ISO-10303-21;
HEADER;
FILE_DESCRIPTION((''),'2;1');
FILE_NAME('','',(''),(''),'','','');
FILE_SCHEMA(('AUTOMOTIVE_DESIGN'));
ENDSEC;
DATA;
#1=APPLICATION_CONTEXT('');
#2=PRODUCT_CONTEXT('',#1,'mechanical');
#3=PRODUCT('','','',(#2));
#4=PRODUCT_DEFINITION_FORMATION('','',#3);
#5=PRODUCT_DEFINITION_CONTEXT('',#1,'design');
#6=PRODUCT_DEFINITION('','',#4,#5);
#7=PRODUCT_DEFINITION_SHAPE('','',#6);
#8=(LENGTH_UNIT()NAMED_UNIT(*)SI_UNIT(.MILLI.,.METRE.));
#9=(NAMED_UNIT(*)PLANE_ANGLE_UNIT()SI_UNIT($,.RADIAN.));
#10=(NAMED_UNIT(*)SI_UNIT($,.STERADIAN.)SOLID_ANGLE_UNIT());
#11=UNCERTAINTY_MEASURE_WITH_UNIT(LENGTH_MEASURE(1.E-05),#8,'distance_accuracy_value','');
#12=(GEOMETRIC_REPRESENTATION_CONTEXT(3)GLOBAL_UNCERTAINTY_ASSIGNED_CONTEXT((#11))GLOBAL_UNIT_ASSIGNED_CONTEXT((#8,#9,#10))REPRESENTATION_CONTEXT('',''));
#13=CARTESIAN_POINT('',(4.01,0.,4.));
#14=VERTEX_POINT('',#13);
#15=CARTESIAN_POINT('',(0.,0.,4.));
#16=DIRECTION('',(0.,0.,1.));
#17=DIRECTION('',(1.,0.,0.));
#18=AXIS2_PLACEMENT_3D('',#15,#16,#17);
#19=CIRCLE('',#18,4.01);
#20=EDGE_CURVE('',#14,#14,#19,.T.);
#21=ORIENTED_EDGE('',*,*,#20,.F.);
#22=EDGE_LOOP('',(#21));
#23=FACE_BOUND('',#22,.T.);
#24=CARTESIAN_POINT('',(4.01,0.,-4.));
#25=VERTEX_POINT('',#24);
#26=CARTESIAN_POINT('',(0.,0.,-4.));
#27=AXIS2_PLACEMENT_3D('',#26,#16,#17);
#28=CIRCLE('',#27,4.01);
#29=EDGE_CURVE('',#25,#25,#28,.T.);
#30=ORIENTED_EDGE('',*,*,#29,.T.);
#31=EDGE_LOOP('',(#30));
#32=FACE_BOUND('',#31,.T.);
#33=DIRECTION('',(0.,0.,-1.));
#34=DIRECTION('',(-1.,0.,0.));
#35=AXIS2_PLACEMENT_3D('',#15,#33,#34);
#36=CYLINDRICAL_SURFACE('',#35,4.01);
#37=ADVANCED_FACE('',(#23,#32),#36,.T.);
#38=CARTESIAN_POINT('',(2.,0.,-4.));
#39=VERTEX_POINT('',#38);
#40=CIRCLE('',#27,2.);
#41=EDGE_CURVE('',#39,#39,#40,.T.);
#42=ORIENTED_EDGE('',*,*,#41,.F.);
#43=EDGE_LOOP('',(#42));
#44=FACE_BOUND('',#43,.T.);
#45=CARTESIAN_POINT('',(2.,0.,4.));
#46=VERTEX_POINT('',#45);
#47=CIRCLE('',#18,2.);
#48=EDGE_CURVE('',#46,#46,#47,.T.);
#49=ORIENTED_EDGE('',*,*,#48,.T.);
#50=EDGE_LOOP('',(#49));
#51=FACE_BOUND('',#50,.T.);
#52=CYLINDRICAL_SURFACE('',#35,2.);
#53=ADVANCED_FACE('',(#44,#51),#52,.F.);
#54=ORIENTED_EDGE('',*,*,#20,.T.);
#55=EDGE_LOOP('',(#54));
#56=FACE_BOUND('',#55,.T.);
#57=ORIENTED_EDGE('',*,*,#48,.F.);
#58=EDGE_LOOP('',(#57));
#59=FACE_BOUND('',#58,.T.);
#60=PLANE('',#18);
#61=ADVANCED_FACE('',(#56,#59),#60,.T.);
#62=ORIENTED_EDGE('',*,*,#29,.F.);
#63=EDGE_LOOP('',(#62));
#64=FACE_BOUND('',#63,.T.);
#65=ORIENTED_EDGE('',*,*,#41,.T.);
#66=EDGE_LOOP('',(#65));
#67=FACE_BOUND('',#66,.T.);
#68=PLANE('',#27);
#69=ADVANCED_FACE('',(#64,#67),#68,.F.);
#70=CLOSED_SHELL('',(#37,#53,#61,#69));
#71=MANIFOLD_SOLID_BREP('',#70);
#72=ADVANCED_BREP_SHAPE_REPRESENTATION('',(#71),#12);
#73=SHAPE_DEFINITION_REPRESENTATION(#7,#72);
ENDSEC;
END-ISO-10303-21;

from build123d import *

# Parameters (mm, degrees)
SKETCH1_R           = 4.01
SKETCH1_R_2         = 2
BOSS_EXTRUDE1_DEPTH = 4


with BuildPart() as part:
    # Sketch1 → Boss-Extrude1 (new, symmetric)
    with BuildSketch(Plane.XY):
        Circle(SKETCH1_R)
        Circle(SKETCH1_R_2, mode=Mode.SUBTRACT)
    extrude(amount=BOSS_EXTRUDE1_DEPTH, both=True)


solid = part.part
